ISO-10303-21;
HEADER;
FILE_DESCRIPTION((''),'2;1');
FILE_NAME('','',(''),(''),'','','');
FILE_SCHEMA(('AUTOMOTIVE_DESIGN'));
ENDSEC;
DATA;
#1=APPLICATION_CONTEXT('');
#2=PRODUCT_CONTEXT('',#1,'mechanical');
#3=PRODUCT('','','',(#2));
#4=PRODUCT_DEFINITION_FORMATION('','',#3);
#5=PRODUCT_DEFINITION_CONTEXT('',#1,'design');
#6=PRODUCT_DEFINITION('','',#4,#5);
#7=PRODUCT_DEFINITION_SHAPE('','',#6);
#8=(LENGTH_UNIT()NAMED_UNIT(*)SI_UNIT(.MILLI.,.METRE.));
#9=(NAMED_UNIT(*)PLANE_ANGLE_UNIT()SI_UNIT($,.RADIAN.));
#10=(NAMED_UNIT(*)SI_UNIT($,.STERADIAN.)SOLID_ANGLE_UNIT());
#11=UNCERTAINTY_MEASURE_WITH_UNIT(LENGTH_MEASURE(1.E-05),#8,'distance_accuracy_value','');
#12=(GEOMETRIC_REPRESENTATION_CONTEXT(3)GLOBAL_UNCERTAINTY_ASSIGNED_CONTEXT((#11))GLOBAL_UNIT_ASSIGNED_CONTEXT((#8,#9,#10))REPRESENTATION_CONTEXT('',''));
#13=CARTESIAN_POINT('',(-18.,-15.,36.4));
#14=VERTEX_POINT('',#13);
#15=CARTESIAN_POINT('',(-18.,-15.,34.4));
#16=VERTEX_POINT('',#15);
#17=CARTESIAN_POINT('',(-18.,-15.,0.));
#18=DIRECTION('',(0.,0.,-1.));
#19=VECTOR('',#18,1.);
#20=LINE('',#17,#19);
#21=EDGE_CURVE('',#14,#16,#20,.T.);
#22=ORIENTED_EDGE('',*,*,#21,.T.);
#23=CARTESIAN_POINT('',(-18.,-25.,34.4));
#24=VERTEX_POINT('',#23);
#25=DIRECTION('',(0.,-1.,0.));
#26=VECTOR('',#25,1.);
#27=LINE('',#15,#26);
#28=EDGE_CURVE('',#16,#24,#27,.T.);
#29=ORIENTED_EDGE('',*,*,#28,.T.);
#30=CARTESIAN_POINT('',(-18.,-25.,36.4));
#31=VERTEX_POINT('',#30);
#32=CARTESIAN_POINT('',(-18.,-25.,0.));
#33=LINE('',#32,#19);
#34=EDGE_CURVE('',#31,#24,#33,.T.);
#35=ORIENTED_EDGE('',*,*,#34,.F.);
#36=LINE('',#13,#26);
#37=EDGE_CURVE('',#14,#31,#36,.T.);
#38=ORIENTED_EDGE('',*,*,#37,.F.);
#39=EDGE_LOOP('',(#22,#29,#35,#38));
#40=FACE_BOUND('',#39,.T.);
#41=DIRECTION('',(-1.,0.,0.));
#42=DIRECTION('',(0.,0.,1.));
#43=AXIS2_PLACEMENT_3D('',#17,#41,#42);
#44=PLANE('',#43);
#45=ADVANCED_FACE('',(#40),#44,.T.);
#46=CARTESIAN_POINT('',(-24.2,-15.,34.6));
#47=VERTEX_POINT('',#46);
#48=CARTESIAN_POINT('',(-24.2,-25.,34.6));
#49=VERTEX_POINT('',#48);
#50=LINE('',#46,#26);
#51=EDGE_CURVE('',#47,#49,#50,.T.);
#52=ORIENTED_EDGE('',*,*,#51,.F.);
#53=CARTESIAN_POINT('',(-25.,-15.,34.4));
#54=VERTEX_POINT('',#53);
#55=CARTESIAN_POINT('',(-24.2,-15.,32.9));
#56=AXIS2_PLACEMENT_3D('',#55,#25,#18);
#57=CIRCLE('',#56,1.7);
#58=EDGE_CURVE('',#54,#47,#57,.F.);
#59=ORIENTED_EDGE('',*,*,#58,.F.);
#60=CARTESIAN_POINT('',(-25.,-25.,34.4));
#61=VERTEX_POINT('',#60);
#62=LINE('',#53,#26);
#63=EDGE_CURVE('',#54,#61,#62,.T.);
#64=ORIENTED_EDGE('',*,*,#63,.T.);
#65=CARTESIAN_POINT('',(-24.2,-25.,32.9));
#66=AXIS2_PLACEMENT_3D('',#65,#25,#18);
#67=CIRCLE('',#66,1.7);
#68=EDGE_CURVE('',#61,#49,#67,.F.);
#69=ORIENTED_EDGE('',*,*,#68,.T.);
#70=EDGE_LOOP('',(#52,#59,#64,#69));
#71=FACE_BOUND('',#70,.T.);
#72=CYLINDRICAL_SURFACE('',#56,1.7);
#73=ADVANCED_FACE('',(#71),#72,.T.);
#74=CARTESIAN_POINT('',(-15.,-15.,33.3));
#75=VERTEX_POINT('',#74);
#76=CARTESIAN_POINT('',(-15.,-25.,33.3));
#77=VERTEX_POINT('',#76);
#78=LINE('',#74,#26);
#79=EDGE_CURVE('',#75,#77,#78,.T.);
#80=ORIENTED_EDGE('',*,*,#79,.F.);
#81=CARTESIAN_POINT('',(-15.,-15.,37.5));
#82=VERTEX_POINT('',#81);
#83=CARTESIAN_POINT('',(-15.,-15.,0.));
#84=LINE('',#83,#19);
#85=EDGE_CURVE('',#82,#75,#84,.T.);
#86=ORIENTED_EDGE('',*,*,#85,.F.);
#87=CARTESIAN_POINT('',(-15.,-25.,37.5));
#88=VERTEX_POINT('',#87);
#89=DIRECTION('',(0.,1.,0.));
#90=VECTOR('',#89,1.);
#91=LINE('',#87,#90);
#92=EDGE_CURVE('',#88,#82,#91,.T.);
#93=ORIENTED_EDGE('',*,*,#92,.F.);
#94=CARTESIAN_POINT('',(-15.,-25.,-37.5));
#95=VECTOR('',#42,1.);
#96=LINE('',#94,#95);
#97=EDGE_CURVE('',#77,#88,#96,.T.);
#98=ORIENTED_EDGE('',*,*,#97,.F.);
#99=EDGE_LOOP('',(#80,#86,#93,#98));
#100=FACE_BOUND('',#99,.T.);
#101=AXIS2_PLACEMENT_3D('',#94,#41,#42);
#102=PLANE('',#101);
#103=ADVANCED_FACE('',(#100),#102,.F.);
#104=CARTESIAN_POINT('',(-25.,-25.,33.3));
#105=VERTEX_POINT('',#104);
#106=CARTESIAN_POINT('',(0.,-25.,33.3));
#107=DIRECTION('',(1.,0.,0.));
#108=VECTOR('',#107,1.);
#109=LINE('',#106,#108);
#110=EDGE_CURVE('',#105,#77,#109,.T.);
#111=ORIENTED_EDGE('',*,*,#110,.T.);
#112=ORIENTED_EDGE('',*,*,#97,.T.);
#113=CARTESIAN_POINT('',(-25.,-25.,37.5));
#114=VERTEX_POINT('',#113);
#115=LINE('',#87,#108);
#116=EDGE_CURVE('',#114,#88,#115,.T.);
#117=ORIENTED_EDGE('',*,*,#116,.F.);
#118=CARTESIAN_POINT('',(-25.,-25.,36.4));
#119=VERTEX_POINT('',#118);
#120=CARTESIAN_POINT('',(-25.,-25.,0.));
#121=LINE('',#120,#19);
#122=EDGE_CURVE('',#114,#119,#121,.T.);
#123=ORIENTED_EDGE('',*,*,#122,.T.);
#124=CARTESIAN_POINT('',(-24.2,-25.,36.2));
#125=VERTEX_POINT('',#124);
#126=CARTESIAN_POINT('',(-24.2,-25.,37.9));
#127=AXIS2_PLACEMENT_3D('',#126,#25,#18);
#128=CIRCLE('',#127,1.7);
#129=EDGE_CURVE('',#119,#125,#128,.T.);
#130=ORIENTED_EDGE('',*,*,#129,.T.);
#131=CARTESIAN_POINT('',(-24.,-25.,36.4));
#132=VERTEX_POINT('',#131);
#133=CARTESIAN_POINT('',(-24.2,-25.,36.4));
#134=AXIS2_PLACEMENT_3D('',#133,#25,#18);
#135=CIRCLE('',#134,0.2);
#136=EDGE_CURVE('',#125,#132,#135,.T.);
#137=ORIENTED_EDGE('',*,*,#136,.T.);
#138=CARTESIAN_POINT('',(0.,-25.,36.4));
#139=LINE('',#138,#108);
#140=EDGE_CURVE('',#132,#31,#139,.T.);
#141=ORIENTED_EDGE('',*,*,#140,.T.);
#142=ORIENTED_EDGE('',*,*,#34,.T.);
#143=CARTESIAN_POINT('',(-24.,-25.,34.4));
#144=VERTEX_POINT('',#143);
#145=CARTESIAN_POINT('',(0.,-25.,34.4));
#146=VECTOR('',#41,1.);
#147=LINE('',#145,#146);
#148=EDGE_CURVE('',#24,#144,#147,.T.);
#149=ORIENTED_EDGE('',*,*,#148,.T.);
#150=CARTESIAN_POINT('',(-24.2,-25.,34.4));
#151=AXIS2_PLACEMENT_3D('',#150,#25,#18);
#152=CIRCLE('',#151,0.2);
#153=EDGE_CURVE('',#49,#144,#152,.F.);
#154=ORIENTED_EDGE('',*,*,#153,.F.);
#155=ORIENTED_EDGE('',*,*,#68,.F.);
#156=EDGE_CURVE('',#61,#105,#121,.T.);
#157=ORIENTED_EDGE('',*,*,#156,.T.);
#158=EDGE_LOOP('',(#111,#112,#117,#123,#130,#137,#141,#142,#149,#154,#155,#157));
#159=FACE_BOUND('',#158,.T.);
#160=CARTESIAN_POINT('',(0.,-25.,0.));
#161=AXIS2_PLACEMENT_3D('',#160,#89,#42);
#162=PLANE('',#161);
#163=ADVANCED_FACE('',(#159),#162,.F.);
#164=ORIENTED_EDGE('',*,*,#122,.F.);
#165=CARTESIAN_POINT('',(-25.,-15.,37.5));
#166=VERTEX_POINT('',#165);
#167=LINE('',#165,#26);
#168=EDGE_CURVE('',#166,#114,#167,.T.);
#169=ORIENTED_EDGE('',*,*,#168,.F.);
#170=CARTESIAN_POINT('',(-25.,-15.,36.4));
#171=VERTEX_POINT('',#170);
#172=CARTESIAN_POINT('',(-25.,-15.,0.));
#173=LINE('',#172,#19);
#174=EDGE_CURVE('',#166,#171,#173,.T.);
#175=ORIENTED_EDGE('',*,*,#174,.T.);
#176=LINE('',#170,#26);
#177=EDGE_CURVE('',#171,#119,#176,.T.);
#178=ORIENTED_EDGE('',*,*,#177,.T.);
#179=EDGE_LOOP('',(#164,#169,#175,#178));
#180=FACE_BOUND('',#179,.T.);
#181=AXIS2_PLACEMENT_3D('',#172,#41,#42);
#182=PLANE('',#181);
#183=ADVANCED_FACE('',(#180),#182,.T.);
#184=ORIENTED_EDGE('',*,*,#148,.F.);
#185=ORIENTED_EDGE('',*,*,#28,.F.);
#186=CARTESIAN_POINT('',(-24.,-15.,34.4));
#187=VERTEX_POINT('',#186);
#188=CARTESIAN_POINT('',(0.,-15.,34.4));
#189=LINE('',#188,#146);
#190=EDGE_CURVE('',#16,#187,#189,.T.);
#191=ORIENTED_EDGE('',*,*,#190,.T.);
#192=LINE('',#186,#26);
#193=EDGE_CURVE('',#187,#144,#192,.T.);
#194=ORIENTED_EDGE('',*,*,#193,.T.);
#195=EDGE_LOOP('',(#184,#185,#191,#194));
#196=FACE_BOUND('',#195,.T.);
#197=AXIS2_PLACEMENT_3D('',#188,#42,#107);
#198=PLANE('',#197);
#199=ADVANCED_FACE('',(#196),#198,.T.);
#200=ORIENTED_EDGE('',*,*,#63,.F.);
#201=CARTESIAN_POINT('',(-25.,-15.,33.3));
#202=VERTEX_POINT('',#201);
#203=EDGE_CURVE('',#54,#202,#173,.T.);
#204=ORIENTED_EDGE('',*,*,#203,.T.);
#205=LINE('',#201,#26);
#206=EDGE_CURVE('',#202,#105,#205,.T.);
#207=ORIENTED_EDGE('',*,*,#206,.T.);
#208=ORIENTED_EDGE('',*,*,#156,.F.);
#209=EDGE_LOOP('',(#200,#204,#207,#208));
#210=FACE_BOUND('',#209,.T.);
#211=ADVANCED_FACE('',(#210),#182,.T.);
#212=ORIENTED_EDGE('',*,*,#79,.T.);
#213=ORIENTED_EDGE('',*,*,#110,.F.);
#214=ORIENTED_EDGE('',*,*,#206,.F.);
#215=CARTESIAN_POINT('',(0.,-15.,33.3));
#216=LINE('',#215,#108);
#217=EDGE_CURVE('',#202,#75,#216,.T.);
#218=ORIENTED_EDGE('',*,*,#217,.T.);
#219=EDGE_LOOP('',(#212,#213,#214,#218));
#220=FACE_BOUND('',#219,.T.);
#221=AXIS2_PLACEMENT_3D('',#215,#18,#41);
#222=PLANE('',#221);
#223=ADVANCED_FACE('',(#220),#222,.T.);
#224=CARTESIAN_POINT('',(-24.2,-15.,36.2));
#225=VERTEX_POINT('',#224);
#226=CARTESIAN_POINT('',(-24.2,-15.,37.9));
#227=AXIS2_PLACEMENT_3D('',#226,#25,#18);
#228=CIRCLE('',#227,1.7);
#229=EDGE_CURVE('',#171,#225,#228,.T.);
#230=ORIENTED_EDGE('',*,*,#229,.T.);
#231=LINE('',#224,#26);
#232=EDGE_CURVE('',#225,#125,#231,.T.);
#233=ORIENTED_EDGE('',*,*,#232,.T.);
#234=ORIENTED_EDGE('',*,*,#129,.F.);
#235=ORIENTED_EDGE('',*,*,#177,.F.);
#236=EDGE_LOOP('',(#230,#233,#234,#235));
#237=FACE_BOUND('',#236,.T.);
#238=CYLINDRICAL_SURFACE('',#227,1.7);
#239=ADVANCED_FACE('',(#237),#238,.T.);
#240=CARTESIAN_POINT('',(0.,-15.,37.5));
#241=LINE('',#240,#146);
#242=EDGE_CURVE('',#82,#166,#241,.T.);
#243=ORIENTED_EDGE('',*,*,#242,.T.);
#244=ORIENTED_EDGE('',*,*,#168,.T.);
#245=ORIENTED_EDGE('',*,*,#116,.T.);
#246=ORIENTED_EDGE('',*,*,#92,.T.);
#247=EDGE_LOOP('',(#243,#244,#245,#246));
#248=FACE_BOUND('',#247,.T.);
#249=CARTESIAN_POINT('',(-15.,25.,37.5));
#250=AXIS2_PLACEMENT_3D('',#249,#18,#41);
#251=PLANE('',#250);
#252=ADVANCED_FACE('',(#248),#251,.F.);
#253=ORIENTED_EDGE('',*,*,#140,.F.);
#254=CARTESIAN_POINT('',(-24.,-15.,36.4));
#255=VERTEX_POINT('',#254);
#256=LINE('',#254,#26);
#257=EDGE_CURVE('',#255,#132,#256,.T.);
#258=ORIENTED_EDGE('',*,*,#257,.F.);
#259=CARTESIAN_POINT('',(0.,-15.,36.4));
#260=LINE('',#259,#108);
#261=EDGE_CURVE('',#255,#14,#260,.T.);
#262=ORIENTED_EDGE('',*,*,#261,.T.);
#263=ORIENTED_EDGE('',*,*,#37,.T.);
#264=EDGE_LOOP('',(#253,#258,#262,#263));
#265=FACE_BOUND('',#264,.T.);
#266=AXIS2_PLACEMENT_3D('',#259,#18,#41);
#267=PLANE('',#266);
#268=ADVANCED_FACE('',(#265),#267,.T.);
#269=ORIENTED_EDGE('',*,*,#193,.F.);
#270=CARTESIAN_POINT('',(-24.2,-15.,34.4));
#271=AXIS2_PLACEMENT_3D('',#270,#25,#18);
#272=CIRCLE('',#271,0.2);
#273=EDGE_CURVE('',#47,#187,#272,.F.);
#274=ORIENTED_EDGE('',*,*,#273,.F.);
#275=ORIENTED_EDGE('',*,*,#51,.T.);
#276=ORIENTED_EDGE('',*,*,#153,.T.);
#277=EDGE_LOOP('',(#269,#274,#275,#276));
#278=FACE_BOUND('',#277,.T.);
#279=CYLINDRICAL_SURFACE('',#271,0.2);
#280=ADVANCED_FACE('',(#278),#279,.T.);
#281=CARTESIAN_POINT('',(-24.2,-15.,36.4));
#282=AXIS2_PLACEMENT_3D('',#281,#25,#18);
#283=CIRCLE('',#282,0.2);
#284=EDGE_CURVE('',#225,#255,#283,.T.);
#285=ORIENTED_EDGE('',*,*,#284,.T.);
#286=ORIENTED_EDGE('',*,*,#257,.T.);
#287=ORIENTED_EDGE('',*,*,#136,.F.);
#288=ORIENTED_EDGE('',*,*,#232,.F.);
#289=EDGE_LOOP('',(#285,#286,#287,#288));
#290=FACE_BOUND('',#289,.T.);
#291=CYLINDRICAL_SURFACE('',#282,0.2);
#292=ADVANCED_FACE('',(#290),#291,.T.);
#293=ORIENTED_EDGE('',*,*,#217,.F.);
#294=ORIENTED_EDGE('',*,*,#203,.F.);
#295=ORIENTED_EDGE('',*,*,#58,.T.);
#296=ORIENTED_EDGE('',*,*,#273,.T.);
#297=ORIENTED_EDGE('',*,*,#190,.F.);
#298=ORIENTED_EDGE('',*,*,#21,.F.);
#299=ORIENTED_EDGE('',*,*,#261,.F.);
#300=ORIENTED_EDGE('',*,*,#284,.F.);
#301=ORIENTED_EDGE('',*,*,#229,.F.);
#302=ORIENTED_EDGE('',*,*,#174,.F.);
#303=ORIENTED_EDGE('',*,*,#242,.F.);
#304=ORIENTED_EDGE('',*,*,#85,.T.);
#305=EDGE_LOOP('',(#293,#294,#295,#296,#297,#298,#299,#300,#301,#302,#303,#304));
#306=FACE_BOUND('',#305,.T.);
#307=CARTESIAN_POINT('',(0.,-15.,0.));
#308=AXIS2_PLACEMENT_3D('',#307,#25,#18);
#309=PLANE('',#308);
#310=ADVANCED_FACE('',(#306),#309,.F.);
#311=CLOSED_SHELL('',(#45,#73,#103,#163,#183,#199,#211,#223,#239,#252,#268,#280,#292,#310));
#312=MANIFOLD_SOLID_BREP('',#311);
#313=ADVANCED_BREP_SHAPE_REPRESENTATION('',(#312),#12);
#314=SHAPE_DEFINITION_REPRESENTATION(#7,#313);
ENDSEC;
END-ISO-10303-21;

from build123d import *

# Parameters (mm, degrees)
SKETCH1_W               = 30
SKETCH1_H               = 75
MAIN_BLOCK_DEPTH        = 25
FRAME_HOLE_REACH        = 82.467
SKETCH2_R               = 5
EM_ROD_HOLES_REACH      = 56.141
EM_ROD_HOLES_SKETCH_R   = 5
BOSS_EXTRUDE1_DEPTH     = 10
CUT_EXTRUDE1_DEPTH      = 52.53882032
CUT_EXTRUDE1_DEPTH_BACK = 52.53882032
SKETCH5_W               = 30
SKETCH5_H               = 75


with BuildPart() as part:
    # Sketch1 → Main Block (new, symmetric)
    with BuildSketch(Plane(origin=(0, 0, 0), x_dir=(1, 0, 0), z_dir=(0, 1, 0))):
        Rectangle(SKETCH1_W, SKETCH1_H)
    extrude(amount=MAIN_BLOCK_DEPTH, both=True)

    # Sketch2 → Frame Hole (cut, up to next)
    with BuildSketch(Plane.XY.offset(37.5), mode=Mode.PRIVATE) as frame_hole_sk1:
        with Locations((0, -15)):
            Circle(SKETCH2_R)
    frame_hole_tool1 = extrude(frame_hole_sk1.sketch, amount=-FRAME_HOLE_REACH, mode=Mode.PRIVATE) & part.part
    add(frame_hole_tool1.solids().sort_by_distance((0, -15, 37.5))[0], mode=Mode.SUBTRACT)

    # EM Rod Holes Sketch → EM Rod Holes (cut, up to next)
    with BuildSketch(Plane(origin=(15, 0, 0), x_dir=(0, 0, -1), z_dir=(1, 0, 0)), mode=Mode.PRIVATE) as em_rod_holes_sk1:
        with Locations((-15, 15)):
            Circle(EM_ROD_HOLES_SKETCH_R)
    em_rod_holes_tool1 = extrude(em_rod_holes_sk1.sketch, amount=-EM_ROD_HOLES_REACH, mode=Mode.PRIVATE) & part.part
    # EM Rod Holes Sketch → EM Rod Holes (cut, up to next)
    with BuildSketch(Plane(origin=(15, 0, 0), x_dir=(0, 0, -1), z_dir=(1, 0, 0)), mode=Mode.PRIVATE) as em_rod_holes_sk2:
        with Locations((15, 15)):
            Circle(EM_ROD_HOLES_SKETCH_R)
    em_rod_holes_tool2 = extrude(em_rod_holes_sk2.sketch, amount=-EM_ROD_HOLES_REACH, mode=Mode.PRIVATE) & part.part
    add(em_rod_holes_tool1.solids().sort_by_distance((15, 15, 15))[0], mode=Mode.SUBTRACT)
    add(em_rod_holes_tool2.solids().sort_by_distance((15, 15, -15))[0], mode=Mode.SUBTRACT)

    # Sketch4 → Boss-Extrude1 (add)
    with BuildSketch(Plane.XZ.offset(25)):
        Polygon((-15, 33.3), (-15, 37.5), (-25, 37.5), (-25, 36.4), (-24, 36.4), (-18, 36.4), (-18, 34.4), (-24, 34.4), (-25, 34.4), (-25, 33.3), align=None)
        with BuildLine():
            Line((-24, 36.4), (-25, 36.4))
            ThreePointArc((-25, 36.4), (-24.612310563, 36.25075775), (-24.2, 36.2))
            ThreePointArc((-24.2, 36.2), (-24.058578644, 36.258578644), (-24, 36.4))
        make_face()
        with BuildLine():
            ThreePointArc((-24.2, 34.6), (-24.612310563, 34.54924225), (-25, 34.4))
            Line((-25, 34.4), (-24, 34.4))
            ThreePointArc((-24, 34.4), (-24.058578644, 34.541421356), (-24.2, 34.6))
        make_face()
    extrude(amount=-BOSS_EXTRUDE1_DEPTH)

    # Sketch5 → Cut-Extrude1 (cut, two sides: drawn at the far end of the back side and taken through both)
    with BuildSketch(Plane(origin=(0, 0, 0), x_dir=(1, 0, 0), z_dir=(0, 1, 0)).offset(-CUT_EXTRUDE1_DEPTH_BACK)):
        Rectangle(SKETCH5_W, SKETCH5_H)
    extrude(amount=CUT_EXTRUDE1_DEPTH + CUT_EXTRUDE1_DEPTH_BACK, mode=Mode.SUBTRACT)


solid = part.part
